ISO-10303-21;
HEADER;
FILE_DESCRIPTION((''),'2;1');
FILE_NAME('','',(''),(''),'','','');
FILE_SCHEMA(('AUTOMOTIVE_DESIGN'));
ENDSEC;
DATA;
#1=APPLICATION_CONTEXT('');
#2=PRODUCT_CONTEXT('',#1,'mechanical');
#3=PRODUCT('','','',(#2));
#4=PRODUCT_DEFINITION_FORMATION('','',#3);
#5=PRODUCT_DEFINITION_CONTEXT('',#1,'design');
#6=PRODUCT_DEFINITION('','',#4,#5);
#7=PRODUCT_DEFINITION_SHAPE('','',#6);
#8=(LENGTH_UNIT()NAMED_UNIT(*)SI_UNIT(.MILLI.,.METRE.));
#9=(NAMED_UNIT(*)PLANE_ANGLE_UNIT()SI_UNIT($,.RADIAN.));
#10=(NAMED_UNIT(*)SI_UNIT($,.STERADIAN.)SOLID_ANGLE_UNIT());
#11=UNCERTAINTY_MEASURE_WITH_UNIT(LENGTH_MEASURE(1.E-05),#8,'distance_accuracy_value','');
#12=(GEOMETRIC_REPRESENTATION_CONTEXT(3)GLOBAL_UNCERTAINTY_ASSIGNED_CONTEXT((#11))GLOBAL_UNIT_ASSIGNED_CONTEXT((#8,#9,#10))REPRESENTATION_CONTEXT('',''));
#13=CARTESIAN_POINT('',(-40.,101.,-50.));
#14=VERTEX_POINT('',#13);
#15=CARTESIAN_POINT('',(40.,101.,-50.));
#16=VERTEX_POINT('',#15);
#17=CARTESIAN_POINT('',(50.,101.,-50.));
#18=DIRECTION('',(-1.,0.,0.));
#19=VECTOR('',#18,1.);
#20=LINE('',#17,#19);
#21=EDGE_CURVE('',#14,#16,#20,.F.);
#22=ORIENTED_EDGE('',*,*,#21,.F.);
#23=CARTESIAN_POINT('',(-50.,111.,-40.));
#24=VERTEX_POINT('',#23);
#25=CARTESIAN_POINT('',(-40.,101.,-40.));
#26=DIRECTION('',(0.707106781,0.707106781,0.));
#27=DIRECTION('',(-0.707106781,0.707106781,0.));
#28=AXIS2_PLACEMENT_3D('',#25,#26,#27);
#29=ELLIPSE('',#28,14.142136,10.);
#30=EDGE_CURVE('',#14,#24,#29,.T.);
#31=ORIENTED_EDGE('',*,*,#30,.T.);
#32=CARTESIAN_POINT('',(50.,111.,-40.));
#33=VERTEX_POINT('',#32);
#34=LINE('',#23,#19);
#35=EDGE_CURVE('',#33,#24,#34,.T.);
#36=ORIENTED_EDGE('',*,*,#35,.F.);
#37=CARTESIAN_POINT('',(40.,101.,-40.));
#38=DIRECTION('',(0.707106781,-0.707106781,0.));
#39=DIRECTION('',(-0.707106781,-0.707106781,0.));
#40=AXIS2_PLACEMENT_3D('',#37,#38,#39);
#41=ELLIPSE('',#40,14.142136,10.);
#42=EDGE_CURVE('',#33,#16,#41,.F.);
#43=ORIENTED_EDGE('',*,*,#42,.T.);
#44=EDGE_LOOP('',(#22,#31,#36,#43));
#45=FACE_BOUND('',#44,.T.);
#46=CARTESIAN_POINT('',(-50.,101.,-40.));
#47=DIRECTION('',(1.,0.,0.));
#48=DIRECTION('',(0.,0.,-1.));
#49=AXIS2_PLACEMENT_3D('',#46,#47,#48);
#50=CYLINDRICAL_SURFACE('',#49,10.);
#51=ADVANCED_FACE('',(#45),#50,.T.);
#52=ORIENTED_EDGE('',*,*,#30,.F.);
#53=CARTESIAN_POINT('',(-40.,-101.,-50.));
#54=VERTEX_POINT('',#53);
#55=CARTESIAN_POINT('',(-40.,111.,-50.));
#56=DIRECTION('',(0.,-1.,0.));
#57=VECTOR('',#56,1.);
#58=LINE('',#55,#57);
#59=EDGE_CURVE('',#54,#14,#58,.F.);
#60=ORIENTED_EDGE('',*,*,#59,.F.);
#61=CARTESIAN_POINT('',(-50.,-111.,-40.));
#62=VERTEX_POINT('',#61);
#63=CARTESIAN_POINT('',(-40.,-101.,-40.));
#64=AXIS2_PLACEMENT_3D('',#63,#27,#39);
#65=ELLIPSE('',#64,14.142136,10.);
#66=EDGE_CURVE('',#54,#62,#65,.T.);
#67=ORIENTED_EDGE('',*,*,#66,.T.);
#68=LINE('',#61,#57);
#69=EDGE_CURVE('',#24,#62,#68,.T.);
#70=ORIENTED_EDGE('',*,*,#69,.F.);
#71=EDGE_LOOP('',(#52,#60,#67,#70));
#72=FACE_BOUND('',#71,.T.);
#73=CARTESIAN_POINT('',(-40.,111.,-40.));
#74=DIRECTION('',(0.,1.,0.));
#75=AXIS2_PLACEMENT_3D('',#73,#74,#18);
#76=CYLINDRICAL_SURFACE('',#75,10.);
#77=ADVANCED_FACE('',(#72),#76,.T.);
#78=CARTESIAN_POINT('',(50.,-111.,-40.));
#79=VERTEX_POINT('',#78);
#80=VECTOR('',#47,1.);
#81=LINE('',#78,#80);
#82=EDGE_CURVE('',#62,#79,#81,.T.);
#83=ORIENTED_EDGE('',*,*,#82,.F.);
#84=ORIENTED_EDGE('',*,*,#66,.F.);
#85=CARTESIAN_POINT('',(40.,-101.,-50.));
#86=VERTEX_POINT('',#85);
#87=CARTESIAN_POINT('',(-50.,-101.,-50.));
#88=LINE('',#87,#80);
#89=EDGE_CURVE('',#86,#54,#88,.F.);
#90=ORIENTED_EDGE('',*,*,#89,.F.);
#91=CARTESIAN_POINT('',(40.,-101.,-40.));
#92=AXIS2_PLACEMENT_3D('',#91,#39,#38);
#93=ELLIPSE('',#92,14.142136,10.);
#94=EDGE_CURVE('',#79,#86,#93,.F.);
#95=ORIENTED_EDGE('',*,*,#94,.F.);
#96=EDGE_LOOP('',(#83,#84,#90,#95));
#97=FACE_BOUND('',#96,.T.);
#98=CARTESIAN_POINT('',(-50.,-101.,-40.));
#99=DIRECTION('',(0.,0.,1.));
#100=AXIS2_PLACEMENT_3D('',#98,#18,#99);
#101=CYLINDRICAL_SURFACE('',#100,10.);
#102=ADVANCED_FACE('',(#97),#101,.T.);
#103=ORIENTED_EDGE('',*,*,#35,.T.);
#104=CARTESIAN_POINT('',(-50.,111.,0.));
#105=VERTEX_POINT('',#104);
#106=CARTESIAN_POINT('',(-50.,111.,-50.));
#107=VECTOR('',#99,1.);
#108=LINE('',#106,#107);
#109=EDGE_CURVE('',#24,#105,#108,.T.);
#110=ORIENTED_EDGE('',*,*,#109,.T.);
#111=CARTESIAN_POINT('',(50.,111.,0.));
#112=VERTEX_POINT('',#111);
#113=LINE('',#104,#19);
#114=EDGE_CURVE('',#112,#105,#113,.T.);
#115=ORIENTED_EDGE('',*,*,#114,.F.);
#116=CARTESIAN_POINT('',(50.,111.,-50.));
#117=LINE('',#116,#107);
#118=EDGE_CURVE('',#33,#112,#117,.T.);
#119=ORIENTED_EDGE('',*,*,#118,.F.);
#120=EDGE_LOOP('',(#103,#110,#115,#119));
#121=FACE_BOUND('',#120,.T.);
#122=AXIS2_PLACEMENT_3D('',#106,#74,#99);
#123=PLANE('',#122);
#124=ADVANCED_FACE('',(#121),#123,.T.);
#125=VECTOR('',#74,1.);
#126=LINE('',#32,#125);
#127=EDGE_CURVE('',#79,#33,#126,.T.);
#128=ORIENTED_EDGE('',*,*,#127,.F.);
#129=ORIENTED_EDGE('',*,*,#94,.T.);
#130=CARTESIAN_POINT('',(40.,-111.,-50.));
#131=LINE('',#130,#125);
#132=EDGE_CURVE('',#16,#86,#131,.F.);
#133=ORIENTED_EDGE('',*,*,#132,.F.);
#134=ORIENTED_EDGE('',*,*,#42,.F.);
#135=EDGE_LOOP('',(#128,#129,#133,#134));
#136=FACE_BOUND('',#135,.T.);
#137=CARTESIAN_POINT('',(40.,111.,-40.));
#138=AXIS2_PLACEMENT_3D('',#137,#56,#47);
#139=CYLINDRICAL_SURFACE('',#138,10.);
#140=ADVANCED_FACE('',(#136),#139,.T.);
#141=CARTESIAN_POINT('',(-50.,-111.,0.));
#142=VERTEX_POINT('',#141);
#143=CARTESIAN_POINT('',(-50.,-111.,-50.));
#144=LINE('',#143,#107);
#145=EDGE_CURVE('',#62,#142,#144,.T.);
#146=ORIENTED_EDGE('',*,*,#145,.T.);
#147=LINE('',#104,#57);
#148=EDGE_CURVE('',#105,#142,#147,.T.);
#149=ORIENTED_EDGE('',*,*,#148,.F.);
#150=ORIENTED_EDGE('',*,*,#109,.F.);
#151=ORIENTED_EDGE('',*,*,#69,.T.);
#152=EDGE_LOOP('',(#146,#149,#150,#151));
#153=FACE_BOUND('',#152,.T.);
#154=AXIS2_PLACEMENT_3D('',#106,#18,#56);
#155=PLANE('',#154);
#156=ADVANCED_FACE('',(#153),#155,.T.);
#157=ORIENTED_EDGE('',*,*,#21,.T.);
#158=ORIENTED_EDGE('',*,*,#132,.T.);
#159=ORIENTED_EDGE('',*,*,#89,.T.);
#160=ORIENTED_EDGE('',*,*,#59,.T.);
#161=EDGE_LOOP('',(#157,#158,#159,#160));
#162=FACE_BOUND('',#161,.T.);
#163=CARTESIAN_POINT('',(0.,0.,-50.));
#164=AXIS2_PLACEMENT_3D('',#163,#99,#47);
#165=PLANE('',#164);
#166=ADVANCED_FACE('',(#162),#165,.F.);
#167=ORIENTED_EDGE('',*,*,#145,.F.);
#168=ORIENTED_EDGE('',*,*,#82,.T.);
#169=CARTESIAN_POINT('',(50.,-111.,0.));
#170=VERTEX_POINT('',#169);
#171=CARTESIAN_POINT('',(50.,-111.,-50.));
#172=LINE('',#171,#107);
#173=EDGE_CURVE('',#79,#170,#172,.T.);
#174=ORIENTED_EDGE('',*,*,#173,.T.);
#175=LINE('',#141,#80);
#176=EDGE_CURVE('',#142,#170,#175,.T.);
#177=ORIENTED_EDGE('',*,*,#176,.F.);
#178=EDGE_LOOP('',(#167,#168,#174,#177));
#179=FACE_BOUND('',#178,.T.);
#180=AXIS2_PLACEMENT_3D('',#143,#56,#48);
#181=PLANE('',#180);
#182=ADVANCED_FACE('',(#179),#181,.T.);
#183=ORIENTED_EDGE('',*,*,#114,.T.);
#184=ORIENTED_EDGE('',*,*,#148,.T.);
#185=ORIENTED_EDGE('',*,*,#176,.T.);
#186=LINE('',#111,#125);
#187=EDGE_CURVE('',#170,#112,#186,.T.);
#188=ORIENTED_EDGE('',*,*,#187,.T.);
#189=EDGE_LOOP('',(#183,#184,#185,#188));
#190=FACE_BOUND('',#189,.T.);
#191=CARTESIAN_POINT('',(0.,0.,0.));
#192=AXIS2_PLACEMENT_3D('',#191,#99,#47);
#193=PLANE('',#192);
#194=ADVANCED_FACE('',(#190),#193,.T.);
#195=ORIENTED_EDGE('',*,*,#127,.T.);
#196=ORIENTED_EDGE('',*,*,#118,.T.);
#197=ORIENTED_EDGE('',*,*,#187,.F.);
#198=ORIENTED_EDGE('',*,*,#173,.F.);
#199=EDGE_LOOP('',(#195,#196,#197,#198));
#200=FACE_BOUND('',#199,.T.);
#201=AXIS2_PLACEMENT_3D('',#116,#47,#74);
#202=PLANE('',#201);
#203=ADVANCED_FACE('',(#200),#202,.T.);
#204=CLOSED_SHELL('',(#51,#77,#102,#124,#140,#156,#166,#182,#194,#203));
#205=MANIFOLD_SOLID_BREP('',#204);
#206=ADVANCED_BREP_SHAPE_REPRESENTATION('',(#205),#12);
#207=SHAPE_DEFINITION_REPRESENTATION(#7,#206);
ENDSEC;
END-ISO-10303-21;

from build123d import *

# Parameters (mm, degrees)
PROFILE_SKETCH_W      = 100
PROFILE_SKETCH_H      = 222
PROFILE_EXTRUDE_DEPTH = 50
FILLET1_R             = 10


with BuildPart() as part:
    # Profile Sketch → Profile Extrude (new body)
    with BuildSketch(Plane.XY):
        Rectangle(PROFILE_SKETCH_W, PROFILE_SKETCH_H)
    extrude(amount=-PROFILE_EXTRUDE_DEPTH)

    # Fillet1
    fillet1_edges = [part.edges().sort_by_distance(p)[0] for p in [
        (-50, 0, -50),
        (0, -111, -50),
        (50, 0, -50),
        (0, 111, -50),
    ]]
    fillet(fillet1_edges, radius=FILLET1_R)


solid = part.part
